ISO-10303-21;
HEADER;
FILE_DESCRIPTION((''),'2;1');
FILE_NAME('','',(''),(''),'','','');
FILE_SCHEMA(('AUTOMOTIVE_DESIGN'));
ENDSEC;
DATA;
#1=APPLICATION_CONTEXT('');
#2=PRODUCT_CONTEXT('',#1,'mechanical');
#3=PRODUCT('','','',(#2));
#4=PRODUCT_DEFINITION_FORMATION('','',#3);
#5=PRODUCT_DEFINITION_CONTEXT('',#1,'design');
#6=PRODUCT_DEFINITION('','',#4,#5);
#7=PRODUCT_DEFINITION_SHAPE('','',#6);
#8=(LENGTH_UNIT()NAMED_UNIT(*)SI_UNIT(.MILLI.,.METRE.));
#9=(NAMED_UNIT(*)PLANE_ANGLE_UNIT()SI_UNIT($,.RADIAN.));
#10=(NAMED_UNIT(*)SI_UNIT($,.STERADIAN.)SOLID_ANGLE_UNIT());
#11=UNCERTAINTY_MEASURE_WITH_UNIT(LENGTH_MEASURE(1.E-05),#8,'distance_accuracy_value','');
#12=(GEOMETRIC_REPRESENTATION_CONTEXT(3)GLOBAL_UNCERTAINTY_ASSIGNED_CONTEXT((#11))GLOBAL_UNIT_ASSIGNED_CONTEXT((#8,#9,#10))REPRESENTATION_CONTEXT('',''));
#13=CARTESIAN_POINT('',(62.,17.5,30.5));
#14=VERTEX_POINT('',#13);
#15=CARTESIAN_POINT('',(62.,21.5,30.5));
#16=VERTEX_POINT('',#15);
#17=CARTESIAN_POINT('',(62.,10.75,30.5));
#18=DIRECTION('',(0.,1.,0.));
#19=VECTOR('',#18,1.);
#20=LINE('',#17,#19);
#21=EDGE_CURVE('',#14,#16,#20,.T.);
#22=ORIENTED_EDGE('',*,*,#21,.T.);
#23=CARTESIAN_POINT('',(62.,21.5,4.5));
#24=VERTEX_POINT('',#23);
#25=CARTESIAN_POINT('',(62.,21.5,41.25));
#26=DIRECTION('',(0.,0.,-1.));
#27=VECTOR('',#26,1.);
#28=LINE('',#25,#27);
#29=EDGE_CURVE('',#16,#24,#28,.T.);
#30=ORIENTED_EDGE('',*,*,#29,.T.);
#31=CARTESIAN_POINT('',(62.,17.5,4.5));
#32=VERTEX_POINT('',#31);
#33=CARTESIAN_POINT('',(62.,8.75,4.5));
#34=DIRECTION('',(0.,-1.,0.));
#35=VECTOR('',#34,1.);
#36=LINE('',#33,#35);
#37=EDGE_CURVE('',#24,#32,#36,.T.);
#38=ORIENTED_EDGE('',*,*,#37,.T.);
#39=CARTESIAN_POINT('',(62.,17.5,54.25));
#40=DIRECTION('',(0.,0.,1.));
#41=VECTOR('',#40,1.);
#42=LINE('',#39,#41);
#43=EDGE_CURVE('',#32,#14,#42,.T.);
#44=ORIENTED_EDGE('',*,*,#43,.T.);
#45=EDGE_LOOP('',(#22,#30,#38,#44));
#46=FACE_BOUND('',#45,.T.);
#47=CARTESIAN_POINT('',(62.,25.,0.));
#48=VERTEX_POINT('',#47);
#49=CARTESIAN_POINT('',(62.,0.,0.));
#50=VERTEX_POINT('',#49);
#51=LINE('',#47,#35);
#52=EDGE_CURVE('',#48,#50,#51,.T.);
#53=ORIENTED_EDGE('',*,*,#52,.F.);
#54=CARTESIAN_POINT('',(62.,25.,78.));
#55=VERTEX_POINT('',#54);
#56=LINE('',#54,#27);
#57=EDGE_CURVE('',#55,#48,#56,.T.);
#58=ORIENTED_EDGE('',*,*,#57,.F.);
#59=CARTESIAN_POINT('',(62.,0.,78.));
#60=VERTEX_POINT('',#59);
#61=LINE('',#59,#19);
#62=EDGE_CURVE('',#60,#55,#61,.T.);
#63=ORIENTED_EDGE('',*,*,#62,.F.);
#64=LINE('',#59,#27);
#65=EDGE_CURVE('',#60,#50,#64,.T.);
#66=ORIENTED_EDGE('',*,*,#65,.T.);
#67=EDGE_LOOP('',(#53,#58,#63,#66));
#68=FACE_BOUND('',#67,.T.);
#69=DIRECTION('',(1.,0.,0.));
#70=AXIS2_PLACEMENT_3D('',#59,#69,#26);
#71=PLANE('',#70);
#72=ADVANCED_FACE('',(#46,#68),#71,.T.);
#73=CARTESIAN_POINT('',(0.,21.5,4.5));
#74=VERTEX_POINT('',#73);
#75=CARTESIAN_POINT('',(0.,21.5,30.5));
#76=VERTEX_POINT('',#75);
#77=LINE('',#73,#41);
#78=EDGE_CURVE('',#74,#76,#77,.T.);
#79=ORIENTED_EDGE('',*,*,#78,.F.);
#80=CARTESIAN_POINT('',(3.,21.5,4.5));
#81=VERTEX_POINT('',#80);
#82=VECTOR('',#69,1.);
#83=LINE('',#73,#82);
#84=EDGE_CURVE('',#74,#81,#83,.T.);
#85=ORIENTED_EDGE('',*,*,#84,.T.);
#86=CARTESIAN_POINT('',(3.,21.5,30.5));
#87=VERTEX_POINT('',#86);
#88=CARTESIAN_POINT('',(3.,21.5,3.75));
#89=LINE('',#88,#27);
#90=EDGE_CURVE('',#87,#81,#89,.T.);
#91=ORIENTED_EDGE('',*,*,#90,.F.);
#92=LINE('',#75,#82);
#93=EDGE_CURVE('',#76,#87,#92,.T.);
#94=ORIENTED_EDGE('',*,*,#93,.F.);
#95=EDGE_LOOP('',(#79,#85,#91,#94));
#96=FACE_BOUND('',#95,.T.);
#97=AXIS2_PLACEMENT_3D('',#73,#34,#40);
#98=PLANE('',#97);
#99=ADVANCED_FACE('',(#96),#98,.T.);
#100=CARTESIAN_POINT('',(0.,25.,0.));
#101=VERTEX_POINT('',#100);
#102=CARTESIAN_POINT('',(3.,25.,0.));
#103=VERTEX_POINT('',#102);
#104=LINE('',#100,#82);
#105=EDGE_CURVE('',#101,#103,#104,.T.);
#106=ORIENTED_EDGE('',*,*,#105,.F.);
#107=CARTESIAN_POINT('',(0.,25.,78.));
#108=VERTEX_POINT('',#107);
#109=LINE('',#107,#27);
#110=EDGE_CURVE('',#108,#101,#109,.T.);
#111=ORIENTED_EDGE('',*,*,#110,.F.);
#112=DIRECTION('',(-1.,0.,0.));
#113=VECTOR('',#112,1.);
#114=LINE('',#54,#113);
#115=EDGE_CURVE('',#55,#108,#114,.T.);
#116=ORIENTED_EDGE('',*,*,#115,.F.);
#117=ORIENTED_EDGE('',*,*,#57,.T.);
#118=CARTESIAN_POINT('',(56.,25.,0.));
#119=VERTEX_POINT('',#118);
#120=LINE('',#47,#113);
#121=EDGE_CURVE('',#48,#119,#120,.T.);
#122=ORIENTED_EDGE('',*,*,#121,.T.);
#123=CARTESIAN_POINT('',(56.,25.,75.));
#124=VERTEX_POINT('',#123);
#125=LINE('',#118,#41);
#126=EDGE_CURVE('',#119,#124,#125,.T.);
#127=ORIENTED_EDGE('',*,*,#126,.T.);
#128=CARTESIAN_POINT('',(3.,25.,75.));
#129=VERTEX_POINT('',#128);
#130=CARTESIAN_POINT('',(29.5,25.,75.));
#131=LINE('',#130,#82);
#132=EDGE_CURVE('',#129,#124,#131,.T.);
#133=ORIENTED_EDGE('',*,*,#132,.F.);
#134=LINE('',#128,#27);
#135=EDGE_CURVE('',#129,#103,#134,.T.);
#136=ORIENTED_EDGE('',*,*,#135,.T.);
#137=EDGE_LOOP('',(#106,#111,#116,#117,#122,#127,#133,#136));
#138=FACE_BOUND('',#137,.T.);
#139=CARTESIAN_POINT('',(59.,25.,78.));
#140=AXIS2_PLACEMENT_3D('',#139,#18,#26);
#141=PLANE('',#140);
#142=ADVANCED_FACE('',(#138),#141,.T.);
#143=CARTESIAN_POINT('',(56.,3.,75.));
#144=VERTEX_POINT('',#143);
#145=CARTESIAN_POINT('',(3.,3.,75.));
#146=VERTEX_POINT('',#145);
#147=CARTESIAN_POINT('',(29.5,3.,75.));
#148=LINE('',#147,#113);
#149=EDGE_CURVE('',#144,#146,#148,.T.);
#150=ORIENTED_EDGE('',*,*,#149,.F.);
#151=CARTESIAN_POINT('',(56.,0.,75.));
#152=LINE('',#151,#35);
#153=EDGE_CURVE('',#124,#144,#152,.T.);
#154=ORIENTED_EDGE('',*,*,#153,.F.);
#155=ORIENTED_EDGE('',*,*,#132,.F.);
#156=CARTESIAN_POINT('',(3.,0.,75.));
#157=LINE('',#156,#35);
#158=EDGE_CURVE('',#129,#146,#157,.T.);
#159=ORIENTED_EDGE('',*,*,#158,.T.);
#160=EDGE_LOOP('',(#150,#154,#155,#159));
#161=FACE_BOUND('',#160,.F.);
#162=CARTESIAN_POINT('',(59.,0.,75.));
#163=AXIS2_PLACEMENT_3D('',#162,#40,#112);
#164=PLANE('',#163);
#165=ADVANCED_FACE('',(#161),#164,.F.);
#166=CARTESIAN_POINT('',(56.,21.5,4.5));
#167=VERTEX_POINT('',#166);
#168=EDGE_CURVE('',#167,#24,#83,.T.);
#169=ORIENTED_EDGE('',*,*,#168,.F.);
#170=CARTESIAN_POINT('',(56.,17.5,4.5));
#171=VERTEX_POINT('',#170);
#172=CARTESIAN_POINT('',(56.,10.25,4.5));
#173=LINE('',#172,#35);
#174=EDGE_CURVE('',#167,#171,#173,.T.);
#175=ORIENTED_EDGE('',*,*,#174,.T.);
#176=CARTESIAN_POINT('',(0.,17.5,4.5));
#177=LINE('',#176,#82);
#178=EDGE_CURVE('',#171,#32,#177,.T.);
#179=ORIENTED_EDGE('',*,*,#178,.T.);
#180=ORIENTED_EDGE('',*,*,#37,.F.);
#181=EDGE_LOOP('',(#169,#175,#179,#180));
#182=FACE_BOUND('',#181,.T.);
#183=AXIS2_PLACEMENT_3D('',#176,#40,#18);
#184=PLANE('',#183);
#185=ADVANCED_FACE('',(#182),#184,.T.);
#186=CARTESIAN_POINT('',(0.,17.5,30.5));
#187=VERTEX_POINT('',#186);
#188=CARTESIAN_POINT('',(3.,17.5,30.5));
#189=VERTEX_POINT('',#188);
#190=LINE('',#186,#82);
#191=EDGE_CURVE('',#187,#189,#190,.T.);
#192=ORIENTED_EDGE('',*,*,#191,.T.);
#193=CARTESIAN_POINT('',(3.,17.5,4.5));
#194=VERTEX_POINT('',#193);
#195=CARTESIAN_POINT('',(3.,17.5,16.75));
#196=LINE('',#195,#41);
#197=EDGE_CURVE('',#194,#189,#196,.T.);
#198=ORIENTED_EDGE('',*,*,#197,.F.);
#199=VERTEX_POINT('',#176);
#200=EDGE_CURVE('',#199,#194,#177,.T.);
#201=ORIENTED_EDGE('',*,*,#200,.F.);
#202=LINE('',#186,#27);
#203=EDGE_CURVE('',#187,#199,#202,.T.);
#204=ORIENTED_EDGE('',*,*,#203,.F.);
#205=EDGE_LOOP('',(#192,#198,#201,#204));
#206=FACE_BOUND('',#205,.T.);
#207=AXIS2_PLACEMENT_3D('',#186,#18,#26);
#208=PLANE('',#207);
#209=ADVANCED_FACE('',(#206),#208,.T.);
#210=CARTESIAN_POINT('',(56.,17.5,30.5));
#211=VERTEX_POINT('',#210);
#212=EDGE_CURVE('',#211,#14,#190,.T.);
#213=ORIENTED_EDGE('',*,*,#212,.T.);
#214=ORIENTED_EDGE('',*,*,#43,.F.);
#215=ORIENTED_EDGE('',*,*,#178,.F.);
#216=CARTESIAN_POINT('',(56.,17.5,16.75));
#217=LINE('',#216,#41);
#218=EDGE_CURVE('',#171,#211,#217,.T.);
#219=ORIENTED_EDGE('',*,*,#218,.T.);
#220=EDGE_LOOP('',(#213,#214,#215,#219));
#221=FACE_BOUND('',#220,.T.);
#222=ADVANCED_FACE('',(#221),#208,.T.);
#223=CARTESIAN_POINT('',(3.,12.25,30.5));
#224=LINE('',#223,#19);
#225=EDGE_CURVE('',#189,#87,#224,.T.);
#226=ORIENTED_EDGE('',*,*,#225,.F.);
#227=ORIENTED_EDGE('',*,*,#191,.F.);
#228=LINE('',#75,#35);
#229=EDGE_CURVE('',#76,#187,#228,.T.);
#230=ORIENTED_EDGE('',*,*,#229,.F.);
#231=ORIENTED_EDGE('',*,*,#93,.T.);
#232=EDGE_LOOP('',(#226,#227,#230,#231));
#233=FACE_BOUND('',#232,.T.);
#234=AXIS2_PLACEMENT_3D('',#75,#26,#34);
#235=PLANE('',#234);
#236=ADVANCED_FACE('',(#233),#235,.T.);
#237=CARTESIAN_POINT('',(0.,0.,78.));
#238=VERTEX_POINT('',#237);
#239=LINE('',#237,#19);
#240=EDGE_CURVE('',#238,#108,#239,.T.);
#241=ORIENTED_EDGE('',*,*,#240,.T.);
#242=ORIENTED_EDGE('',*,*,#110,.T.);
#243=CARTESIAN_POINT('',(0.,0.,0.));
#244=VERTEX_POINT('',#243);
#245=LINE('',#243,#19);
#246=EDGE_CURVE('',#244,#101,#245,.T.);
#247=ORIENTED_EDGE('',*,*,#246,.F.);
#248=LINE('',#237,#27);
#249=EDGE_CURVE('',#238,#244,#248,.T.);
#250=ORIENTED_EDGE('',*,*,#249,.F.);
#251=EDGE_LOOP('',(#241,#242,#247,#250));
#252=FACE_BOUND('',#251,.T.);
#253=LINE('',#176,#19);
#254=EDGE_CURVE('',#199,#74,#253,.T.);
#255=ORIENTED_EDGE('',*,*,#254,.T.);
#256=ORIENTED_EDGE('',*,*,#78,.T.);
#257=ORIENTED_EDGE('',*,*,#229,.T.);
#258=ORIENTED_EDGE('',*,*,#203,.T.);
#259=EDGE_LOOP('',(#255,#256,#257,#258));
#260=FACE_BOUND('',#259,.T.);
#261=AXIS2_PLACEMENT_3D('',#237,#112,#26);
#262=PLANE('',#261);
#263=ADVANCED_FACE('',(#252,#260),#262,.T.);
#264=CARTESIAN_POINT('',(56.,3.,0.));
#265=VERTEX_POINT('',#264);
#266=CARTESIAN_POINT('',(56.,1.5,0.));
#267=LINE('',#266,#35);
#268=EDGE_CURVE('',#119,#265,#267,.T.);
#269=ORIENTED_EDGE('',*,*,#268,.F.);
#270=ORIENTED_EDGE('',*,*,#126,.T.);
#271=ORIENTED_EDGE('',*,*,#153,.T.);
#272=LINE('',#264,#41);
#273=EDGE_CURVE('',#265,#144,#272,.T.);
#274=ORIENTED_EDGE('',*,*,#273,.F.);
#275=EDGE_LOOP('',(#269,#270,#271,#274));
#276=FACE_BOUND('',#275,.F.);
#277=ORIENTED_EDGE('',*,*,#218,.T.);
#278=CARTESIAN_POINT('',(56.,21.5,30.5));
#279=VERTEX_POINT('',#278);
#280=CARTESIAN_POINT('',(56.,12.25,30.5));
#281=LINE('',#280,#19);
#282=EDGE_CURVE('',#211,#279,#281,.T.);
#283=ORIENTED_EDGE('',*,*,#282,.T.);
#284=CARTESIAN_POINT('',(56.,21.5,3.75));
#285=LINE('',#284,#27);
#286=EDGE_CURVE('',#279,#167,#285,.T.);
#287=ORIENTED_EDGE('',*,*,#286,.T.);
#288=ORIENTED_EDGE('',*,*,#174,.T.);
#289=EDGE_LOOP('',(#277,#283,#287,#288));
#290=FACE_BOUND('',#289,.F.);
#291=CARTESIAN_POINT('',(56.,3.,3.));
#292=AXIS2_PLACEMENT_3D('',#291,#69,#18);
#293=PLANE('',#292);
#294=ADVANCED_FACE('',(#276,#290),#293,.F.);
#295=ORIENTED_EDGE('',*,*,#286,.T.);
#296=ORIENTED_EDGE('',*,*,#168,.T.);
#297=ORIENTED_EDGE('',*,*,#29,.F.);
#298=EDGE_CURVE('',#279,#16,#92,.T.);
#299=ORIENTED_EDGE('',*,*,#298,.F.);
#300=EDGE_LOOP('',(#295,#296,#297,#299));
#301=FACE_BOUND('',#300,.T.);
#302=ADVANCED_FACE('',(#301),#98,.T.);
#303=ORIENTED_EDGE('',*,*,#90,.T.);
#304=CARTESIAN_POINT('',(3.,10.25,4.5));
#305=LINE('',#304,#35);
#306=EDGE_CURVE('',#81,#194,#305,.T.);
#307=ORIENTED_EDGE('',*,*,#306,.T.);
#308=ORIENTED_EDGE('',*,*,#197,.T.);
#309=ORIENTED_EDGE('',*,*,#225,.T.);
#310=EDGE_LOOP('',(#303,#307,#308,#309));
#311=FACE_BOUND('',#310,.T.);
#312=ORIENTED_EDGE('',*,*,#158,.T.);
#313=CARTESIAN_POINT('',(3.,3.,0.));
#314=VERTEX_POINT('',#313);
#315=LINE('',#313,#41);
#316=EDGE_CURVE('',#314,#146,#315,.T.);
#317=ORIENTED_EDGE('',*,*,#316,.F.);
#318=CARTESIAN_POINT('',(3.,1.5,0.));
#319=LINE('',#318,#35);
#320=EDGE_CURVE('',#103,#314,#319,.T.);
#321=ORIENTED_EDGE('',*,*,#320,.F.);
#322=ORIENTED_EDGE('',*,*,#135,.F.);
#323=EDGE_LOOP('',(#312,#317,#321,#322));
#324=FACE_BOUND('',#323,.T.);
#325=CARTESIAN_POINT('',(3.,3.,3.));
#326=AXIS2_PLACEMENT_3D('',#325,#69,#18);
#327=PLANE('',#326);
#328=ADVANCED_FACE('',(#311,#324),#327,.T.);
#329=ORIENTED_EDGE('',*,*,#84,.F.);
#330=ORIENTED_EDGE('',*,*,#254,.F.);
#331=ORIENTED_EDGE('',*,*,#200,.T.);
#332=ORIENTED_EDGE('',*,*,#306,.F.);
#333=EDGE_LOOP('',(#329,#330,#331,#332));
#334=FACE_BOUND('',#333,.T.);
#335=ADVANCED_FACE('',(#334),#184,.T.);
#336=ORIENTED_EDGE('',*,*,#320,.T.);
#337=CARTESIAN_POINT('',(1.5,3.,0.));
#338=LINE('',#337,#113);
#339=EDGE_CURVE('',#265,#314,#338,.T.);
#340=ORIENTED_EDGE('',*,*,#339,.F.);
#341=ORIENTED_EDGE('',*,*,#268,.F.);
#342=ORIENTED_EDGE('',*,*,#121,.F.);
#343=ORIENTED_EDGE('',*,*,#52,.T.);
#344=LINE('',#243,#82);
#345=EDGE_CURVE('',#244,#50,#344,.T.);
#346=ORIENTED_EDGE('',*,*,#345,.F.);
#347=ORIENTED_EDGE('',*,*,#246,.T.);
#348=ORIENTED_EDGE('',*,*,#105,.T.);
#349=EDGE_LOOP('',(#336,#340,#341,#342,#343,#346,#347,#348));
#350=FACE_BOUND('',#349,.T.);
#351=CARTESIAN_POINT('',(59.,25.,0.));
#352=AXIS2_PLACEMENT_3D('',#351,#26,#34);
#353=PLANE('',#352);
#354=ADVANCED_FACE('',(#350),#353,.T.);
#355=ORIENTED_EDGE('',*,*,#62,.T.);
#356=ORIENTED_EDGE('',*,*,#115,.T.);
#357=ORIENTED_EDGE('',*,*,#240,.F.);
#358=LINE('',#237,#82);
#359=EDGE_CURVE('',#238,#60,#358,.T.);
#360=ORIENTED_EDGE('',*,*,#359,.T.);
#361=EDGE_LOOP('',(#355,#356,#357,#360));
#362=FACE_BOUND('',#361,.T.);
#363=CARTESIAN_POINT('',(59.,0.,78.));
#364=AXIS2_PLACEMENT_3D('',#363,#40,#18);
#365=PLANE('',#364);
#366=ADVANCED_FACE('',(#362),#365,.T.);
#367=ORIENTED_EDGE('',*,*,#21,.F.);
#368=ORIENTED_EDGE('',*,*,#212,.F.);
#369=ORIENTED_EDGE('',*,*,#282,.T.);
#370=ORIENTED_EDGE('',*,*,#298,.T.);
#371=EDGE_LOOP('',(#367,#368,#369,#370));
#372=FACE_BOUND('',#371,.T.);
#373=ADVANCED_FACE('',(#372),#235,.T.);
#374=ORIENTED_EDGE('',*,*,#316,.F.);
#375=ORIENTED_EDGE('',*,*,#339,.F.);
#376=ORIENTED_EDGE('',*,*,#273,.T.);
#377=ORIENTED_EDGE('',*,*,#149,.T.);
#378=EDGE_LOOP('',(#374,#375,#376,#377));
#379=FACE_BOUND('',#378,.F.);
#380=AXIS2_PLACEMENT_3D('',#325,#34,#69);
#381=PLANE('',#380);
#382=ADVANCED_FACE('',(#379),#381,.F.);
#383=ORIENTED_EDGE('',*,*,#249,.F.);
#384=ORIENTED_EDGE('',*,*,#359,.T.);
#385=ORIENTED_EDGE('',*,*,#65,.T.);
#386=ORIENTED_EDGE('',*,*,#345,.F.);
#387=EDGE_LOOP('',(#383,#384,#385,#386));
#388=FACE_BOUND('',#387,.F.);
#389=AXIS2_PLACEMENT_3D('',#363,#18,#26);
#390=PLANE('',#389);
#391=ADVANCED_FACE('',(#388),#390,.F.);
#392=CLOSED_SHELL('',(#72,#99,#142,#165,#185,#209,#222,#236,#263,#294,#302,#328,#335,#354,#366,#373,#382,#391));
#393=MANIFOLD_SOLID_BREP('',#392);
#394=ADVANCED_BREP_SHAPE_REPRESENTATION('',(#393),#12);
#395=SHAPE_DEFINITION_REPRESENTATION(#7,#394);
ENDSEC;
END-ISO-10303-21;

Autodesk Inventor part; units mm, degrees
ref_plane "YZ Plane" through (0, 0, 0) normal (1, 0, 0) x (0, 1, 0)
ref_plane "XZ Plane" through (0, 0, 0) normal (0, 1, 0) x (-1, 0, 0)
ref_plane "XY Plane" through (0, 0, 0) normal (0, 0, 1) x (1, 0, 0)
sketch "Sketch2" plane through (0, 0, 0) normal (0, 1, 0) x (-1, 0, 0)
  line L0 (0, 0) -> (-59, 0)
  line L1 (-59, 0) -> (-59, 78)
  line L2 (-59, 78) -> (0, 78)
  line L3 (0, 78) -> (0, 0)
  dimension "d0" = 59
  dimension "d1" = 78
extrude "Extrusion1" add sketch "Sketch2" along normal blind 25
shell "Shell1" thickness 3 removed faces 1 at (39.3333, 25, 52)
sketch "Sketch4" plane through (59, 0, 0) normal (0, 0, -1) x (-1, 0, 0)
  point P0 (59, 0)
sketch "Sketch5" plane through (3, 3, 3) normal (0, 0, 1) x (1, 0, 0)
  line L0 (0, 0) -> (0, 22) projected
  line L1 (0, 22) -> (53, 22) projected
  line L2 (0, 0) -> (53, 0)
  line L3 (53, 0) -> (53, 22)
  line L4 (53, 22) -> (0, 22)
  line L5 (0, 22) -> (0, 0)
  point P0 (-3, -3)
extrude "Extrusion3" cut sketch "Sketch5" against normal blind 10
sketch "Sketch6" plane through (0, 0, 0) normal (-1, 0, 0) x (0, 0, 1)
  line L0 (4.5, 21.5) -> (30.5, 21.5)
  line L1 (30.5, 21.5) -> (30.5, 17.5)
  line L2 (30.5, 17.5) -> (4.5, 17.5)
  line L3 (4.5, 17.5) -> (4.5, 21.5)
  line L4 (0, 0) -> (0, 25) projected
  line L5 (0, 0) -> (78, 0) projected
  dimension "d19" = 26
  dimension "d20" = 4
  dimension "d21" = 4.5
  dimension "d22" = 17.5
sketch "Sketch7" plane through (59, 0, 78) normal (1, 0, 0) x (0, 0, -1)
  line L0 (0, 0) -> (78, 0) projected
  line L1 (0, 25) -> (78, 25)
  line L2 (78, 25) -> (78, 0)
  line L3 (78, 0) -> (0, 0)
  line L4 (0, 0) -> (0, 25)
extrude "Extrusion5" add sketch "Sketch7" along normal blind 3
extrude "Extrusion6" cut sketch "Sketch6" against normal through all
properties part number "arduino array box v05"
